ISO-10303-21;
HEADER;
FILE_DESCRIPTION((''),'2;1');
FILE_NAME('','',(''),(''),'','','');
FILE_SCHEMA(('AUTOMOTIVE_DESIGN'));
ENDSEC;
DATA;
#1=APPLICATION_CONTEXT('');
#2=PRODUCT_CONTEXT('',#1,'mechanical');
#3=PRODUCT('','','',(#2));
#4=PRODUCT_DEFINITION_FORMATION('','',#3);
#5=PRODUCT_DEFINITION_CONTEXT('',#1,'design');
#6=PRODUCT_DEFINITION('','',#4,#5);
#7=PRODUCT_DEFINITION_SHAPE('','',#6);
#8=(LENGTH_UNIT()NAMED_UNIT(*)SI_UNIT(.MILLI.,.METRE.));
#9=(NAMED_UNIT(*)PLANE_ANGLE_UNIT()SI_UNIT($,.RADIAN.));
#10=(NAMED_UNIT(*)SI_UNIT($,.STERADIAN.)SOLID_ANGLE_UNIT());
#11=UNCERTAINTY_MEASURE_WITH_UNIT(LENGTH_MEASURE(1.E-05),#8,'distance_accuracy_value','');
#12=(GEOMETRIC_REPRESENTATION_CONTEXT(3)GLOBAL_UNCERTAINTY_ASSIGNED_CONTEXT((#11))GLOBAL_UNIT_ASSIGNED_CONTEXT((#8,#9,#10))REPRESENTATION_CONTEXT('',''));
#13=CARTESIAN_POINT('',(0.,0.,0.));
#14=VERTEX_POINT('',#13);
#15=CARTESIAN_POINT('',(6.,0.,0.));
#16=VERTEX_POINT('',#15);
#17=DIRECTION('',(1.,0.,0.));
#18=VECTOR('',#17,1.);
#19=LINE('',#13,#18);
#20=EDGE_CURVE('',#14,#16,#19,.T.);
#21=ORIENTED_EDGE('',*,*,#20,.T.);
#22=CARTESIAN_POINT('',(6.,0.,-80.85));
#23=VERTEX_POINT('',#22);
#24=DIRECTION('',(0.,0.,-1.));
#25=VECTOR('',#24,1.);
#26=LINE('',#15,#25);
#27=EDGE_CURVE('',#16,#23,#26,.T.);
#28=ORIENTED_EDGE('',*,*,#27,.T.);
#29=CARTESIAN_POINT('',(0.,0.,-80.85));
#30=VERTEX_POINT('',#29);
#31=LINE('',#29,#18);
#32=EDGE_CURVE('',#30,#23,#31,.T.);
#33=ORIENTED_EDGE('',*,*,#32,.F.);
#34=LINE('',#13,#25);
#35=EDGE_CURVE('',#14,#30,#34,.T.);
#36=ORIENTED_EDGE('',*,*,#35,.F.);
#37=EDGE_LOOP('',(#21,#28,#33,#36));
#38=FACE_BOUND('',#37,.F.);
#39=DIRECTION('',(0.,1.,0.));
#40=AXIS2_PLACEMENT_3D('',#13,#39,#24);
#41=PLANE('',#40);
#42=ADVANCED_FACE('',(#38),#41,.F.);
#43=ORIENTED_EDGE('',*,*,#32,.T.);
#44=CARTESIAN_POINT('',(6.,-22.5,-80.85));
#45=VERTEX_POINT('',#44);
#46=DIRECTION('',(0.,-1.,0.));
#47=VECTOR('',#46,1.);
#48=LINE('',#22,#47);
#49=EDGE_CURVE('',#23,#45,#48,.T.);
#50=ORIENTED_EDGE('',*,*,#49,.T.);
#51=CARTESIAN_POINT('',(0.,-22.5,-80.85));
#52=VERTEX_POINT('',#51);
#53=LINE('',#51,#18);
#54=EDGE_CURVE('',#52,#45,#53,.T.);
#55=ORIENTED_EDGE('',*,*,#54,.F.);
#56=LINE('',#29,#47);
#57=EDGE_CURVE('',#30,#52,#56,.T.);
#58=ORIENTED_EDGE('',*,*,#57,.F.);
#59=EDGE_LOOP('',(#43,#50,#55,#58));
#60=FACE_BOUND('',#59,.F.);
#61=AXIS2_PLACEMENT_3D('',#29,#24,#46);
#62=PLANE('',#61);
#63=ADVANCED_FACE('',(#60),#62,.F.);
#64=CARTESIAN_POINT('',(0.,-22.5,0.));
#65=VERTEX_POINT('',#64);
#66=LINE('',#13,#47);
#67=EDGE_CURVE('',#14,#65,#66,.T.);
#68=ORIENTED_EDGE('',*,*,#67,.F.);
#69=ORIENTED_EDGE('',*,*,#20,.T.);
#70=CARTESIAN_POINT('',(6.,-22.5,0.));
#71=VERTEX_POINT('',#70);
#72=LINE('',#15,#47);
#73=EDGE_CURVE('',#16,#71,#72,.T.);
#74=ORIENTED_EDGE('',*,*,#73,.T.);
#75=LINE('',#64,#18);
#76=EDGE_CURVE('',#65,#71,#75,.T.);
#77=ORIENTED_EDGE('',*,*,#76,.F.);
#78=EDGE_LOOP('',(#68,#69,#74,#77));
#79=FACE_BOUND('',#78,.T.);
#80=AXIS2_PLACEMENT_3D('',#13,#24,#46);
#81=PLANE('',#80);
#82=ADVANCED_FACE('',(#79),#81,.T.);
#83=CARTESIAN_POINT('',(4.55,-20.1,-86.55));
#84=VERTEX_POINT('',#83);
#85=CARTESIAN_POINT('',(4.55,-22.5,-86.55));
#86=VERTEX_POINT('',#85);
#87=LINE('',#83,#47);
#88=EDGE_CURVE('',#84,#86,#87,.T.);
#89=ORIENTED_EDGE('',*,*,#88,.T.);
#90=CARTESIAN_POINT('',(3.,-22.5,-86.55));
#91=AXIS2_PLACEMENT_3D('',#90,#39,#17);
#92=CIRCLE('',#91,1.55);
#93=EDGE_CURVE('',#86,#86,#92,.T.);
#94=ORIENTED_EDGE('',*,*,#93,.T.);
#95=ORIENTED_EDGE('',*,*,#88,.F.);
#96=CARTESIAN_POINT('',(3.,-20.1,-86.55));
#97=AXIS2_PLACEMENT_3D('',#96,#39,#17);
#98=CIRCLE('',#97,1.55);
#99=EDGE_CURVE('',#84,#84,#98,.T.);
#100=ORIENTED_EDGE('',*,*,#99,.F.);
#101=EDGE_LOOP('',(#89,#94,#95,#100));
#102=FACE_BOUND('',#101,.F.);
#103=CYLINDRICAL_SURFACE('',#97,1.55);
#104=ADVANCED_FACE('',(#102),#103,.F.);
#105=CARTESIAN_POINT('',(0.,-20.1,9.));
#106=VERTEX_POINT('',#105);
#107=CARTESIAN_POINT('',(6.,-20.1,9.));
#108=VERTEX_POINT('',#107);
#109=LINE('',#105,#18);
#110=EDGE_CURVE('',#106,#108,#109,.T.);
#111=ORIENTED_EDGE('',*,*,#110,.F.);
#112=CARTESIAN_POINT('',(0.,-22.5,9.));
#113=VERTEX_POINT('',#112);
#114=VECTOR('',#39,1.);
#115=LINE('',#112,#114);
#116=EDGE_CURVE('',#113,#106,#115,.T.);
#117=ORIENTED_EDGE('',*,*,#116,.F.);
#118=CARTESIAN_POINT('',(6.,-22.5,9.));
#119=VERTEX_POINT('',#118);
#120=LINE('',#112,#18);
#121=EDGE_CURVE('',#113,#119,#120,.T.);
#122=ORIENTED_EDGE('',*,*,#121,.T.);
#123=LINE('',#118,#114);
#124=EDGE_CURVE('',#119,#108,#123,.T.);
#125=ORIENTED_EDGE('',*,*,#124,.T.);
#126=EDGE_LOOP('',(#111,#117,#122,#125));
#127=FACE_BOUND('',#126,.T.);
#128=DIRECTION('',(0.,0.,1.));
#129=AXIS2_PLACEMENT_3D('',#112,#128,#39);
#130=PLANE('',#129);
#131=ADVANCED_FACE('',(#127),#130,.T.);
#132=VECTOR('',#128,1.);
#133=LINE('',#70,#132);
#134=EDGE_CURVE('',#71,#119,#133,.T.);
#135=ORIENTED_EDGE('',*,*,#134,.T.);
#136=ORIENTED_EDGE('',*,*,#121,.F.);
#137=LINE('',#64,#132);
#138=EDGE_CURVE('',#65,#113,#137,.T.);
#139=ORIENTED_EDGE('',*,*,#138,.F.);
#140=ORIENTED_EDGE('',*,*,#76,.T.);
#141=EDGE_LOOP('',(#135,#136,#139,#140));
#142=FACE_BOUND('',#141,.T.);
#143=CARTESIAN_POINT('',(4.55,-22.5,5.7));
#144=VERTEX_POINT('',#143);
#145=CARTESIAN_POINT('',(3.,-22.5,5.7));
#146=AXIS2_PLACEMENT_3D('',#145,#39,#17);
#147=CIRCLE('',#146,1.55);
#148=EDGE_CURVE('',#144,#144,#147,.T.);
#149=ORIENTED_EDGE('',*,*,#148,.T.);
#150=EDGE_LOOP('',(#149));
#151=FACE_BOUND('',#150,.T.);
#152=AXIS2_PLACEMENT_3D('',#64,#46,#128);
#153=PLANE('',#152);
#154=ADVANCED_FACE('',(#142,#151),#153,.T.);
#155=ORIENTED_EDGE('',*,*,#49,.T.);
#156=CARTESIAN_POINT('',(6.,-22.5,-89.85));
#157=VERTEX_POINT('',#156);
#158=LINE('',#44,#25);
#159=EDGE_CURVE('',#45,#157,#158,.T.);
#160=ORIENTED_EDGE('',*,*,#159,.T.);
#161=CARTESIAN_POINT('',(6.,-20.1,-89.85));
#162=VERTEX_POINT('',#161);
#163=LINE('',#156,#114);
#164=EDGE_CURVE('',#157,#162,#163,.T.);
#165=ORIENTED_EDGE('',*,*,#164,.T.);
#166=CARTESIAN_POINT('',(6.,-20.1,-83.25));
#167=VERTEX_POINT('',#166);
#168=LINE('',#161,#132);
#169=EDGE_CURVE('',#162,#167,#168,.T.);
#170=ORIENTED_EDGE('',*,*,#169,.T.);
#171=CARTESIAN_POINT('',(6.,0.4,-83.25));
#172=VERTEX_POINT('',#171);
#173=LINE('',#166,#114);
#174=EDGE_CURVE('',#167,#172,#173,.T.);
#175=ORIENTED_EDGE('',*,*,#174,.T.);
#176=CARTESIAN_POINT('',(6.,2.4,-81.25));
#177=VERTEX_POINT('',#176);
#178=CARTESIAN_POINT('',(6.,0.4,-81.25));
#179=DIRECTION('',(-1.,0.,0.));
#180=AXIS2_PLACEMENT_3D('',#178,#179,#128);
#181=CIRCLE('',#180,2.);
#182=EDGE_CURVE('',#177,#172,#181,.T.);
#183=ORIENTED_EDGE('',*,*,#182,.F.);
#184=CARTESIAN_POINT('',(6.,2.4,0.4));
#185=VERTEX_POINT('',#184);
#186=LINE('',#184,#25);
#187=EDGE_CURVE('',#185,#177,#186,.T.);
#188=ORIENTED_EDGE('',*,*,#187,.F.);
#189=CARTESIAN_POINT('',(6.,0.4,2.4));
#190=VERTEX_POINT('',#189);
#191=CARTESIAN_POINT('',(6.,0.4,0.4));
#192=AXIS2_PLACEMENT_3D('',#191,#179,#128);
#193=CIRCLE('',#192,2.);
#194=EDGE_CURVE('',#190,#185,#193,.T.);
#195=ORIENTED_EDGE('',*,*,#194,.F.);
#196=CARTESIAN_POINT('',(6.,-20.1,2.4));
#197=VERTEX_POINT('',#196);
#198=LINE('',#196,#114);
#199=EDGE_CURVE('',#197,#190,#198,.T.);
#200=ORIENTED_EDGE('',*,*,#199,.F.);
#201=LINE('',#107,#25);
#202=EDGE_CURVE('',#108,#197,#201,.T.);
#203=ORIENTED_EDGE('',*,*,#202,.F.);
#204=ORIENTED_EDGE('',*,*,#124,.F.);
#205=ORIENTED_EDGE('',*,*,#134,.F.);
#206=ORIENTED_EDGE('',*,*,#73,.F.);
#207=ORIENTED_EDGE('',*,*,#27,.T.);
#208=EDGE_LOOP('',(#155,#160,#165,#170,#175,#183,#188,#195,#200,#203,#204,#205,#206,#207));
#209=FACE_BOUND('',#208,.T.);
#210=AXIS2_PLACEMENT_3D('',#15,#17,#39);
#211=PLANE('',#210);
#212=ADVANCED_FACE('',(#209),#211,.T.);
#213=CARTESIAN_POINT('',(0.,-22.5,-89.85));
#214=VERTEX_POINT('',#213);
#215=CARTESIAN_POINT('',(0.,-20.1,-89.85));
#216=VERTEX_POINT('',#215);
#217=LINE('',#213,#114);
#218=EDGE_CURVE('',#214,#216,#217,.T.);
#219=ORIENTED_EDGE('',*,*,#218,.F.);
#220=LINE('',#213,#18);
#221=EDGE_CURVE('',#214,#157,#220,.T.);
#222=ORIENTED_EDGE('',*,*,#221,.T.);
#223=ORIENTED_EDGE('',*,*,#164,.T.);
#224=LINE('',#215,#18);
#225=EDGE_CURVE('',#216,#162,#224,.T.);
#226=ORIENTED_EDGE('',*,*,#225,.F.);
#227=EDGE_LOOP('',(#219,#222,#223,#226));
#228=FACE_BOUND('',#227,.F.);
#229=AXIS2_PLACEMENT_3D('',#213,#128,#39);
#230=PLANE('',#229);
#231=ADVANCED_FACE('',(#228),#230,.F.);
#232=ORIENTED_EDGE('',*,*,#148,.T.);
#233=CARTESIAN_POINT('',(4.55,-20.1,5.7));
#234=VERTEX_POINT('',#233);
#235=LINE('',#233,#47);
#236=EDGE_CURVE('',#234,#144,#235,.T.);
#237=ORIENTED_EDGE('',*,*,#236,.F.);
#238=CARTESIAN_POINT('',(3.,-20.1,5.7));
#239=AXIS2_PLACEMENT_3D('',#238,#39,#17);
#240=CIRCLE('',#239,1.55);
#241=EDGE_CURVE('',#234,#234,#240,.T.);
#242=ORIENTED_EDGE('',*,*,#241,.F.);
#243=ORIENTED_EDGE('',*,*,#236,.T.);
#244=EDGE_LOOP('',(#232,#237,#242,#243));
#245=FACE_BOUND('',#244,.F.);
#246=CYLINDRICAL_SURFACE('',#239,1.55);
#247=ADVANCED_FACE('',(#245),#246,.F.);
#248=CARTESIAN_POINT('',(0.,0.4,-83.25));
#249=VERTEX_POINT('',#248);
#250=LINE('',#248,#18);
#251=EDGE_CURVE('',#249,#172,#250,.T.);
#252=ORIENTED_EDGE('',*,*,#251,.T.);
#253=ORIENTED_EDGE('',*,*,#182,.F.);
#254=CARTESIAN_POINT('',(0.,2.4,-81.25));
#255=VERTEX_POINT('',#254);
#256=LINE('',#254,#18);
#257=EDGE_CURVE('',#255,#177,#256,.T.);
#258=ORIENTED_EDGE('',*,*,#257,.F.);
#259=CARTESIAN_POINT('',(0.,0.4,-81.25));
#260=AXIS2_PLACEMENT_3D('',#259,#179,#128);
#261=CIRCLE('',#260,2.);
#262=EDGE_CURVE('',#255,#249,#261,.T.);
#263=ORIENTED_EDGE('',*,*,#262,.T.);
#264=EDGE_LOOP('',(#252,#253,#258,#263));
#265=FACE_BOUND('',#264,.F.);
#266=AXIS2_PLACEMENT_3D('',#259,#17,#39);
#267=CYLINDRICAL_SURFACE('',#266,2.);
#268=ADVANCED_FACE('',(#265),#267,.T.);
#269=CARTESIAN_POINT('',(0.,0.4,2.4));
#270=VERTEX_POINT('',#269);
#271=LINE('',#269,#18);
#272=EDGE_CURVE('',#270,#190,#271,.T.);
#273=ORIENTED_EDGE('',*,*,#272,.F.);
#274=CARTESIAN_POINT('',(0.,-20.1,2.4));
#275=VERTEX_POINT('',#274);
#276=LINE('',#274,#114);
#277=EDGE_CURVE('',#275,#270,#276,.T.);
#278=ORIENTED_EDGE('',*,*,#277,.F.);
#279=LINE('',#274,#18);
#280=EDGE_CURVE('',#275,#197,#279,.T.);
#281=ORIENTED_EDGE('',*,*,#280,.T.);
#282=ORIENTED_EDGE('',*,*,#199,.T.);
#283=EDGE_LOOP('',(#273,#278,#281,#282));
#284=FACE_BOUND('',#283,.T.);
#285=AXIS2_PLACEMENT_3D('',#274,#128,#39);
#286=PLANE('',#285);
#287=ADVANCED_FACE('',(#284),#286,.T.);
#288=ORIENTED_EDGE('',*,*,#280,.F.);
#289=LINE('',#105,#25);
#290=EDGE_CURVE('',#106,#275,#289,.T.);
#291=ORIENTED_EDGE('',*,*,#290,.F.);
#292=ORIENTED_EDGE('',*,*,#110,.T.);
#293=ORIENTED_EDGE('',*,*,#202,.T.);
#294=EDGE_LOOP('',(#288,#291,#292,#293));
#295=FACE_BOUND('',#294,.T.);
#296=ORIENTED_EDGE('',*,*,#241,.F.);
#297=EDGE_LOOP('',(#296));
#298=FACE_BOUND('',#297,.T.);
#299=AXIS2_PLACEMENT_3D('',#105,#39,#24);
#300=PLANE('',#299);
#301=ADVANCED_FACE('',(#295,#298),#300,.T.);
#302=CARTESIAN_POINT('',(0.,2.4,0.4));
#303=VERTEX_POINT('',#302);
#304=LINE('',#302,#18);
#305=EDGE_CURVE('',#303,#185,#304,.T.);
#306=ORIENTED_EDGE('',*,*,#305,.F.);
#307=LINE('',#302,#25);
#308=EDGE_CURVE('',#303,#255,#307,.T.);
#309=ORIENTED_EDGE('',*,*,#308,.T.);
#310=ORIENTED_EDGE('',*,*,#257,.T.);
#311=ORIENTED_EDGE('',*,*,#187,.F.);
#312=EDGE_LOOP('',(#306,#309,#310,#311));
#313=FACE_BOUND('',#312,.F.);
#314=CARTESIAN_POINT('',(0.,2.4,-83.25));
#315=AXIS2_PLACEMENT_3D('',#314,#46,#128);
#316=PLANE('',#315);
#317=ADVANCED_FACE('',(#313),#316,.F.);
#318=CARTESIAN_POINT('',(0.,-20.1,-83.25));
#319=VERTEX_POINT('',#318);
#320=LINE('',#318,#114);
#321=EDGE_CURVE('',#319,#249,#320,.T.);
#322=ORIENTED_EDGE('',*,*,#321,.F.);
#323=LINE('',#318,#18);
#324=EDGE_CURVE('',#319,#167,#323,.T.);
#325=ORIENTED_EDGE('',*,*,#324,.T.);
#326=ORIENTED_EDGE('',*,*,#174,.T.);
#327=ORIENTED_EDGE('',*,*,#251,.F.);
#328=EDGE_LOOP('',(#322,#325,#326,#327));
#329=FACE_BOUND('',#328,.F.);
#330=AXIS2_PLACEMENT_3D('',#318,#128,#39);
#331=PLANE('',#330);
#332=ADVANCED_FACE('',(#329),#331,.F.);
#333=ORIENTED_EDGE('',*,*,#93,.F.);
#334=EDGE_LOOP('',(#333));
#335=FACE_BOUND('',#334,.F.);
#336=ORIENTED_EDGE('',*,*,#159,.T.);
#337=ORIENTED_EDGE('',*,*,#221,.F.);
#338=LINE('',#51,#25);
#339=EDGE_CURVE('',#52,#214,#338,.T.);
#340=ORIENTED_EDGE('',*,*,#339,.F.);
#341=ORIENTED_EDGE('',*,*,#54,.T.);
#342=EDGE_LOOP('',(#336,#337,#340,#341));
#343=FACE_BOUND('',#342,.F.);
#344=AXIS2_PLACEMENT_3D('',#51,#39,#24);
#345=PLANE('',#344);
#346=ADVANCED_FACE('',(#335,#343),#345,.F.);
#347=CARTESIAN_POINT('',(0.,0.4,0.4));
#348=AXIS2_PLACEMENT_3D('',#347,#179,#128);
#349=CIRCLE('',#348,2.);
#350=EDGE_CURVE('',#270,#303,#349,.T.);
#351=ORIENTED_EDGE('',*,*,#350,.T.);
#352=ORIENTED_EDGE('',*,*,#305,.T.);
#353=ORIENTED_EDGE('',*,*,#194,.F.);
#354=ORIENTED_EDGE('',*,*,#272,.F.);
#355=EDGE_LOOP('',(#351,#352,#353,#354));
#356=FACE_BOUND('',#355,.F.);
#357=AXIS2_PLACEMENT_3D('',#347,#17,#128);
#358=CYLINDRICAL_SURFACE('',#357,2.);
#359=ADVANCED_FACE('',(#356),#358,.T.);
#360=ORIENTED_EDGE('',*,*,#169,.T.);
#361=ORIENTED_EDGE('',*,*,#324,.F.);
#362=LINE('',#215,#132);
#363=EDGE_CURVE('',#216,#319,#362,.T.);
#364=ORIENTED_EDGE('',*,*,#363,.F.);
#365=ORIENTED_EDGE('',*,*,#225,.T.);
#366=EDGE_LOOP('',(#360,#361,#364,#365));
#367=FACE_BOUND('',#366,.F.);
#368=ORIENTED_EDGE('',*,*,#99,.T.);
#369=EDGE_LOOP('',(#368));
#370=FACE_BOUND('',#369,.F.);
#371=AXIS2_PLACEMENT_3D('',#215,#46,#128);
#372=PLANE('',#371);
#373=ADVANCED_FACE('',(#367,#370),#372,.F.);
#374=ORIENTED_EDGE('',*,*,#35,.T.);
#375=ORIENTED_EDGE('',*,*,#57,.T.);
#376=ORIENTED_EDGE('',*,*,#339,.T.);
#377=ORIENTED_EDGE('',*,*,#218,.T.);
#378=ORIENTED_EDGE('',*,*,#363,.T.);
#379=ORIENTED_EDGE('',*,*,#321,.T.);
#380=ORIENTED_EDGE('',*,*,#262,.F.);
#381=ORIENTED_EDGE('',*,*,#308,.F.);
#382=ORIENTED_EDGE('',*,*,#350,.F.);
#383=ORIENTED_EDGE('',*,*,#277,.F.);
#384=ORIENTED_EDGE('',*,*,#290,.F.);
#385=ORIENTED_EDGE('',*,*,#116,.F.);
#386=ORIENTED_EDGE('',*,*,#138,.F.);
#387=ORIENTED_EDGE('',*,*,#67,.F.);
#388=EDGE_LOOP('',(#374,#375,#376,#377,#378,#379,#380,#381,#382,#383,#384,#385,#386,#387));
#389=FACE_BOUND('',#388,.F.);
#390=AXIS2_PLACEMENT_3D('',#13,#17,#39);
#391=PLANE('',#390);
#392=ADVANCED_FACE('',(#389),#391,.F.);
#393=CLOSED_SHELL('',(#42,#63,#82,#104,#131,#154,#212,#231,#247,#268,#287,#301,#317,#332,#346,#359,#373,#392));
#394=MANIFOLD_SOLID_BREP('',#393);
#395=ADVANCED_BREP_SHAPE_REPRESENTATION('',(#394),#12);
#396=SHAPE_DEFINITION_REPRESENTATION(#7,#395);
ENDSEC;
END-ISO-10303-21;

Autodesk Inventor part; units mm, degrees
ref_plane "YZ Plane" through (0, 0, 0) normal (1, 0, 0) x (0, 1, 0)
ref_plane "XZ Plane" through (0, 0, 0) normal (0, 1, 0) x (-1, 0, 0)
ref_plane "XY Plane" through (0, 0, 0) normal (0, 0, 1) x (1, 0, 0)
sketch "Sketch1" plane through (0, 0, 0) normal (1, 0, 0) x (0, 1, 0)
  line L0 (0, 0) -> (0, -80.85)
  line L1 (0, 0) -> (-22.5, 0)
  line L2 (-22.5, 0) -> (-22.5, 9)
  line L3 (-22.5, 9) -> (-20.1, 9)
  line L4 (-20.1, 9) -> (-20.1, 2.4)
  line L5 (-20.1, 2.4) -> (2.4, 2.4)
  line L6 (2.4, 2.4) -> (2.4, -40.425)
  line L7 (0, -80.85) -> (-22.5, -80.85)
  line L8 (-22.5, -80.85) -> (-22.5, -89.85)
  line L9 (-22.5, -89.85) -> (-20.1, -89.85)
  line L10 (-20.1, -89.85) -> (-20.1, -83.25)
  line L11 (-20.1, -83.25) -> (2.4, -83.25)
  line L12 (2.4, -83.25) -> (2.4, -40.425)
  dimension "d0" = 80.85
  dimension "d17" = 22.5
  dimension "d18" = 9
  dimension "d19" = 2.4
  dimension "d20" = 6.6
  dimension "d21" = 22.5
  dimension "d23" = 2.4
  dimension "d24" = 2.4
  dimension "d25" = 9
  dimension "d26" = 2.4
extrude "Extrusion1" add sketch "Sketch1" along normal blind 6
fillet "Fillet1" radius 2 1 edges at (3, 2.4, 2.4)
fillet "Fillet2" radius 2 1 edges at (3, 2.4, -83.25)
sketch "Sketch3" plane through (0, -20.1, 9) normal (0, 1, 0) x (1, 0, 0)
  line L0 (0, 6.6) -> (0, 0) projected
  line L1 (0, 6.6) -> (6, 6.6) projected
  circle A0 centre (3, 3.3) radius 1.55
  line L2 (0, 92.25) -> (6, 92.25) projected
  line L3 (6, 98.85) -> (6, 92.25) projected
  circle A1 centre (3, 95.55) radius 1.55
  line L4 (0, 0) -> (6, 0) projected
  line L5 (0, 98.85) -> (0, 92.25) projected
  point P0 (0, 9)
  dimension "d29" = 3.1
  dimension "d30" = 3.1
extrude "Extrusion3" cut sketch "Sketch3" against normal blind 10
properties part number "battery_pack_clamp" material "PET Plastic"
